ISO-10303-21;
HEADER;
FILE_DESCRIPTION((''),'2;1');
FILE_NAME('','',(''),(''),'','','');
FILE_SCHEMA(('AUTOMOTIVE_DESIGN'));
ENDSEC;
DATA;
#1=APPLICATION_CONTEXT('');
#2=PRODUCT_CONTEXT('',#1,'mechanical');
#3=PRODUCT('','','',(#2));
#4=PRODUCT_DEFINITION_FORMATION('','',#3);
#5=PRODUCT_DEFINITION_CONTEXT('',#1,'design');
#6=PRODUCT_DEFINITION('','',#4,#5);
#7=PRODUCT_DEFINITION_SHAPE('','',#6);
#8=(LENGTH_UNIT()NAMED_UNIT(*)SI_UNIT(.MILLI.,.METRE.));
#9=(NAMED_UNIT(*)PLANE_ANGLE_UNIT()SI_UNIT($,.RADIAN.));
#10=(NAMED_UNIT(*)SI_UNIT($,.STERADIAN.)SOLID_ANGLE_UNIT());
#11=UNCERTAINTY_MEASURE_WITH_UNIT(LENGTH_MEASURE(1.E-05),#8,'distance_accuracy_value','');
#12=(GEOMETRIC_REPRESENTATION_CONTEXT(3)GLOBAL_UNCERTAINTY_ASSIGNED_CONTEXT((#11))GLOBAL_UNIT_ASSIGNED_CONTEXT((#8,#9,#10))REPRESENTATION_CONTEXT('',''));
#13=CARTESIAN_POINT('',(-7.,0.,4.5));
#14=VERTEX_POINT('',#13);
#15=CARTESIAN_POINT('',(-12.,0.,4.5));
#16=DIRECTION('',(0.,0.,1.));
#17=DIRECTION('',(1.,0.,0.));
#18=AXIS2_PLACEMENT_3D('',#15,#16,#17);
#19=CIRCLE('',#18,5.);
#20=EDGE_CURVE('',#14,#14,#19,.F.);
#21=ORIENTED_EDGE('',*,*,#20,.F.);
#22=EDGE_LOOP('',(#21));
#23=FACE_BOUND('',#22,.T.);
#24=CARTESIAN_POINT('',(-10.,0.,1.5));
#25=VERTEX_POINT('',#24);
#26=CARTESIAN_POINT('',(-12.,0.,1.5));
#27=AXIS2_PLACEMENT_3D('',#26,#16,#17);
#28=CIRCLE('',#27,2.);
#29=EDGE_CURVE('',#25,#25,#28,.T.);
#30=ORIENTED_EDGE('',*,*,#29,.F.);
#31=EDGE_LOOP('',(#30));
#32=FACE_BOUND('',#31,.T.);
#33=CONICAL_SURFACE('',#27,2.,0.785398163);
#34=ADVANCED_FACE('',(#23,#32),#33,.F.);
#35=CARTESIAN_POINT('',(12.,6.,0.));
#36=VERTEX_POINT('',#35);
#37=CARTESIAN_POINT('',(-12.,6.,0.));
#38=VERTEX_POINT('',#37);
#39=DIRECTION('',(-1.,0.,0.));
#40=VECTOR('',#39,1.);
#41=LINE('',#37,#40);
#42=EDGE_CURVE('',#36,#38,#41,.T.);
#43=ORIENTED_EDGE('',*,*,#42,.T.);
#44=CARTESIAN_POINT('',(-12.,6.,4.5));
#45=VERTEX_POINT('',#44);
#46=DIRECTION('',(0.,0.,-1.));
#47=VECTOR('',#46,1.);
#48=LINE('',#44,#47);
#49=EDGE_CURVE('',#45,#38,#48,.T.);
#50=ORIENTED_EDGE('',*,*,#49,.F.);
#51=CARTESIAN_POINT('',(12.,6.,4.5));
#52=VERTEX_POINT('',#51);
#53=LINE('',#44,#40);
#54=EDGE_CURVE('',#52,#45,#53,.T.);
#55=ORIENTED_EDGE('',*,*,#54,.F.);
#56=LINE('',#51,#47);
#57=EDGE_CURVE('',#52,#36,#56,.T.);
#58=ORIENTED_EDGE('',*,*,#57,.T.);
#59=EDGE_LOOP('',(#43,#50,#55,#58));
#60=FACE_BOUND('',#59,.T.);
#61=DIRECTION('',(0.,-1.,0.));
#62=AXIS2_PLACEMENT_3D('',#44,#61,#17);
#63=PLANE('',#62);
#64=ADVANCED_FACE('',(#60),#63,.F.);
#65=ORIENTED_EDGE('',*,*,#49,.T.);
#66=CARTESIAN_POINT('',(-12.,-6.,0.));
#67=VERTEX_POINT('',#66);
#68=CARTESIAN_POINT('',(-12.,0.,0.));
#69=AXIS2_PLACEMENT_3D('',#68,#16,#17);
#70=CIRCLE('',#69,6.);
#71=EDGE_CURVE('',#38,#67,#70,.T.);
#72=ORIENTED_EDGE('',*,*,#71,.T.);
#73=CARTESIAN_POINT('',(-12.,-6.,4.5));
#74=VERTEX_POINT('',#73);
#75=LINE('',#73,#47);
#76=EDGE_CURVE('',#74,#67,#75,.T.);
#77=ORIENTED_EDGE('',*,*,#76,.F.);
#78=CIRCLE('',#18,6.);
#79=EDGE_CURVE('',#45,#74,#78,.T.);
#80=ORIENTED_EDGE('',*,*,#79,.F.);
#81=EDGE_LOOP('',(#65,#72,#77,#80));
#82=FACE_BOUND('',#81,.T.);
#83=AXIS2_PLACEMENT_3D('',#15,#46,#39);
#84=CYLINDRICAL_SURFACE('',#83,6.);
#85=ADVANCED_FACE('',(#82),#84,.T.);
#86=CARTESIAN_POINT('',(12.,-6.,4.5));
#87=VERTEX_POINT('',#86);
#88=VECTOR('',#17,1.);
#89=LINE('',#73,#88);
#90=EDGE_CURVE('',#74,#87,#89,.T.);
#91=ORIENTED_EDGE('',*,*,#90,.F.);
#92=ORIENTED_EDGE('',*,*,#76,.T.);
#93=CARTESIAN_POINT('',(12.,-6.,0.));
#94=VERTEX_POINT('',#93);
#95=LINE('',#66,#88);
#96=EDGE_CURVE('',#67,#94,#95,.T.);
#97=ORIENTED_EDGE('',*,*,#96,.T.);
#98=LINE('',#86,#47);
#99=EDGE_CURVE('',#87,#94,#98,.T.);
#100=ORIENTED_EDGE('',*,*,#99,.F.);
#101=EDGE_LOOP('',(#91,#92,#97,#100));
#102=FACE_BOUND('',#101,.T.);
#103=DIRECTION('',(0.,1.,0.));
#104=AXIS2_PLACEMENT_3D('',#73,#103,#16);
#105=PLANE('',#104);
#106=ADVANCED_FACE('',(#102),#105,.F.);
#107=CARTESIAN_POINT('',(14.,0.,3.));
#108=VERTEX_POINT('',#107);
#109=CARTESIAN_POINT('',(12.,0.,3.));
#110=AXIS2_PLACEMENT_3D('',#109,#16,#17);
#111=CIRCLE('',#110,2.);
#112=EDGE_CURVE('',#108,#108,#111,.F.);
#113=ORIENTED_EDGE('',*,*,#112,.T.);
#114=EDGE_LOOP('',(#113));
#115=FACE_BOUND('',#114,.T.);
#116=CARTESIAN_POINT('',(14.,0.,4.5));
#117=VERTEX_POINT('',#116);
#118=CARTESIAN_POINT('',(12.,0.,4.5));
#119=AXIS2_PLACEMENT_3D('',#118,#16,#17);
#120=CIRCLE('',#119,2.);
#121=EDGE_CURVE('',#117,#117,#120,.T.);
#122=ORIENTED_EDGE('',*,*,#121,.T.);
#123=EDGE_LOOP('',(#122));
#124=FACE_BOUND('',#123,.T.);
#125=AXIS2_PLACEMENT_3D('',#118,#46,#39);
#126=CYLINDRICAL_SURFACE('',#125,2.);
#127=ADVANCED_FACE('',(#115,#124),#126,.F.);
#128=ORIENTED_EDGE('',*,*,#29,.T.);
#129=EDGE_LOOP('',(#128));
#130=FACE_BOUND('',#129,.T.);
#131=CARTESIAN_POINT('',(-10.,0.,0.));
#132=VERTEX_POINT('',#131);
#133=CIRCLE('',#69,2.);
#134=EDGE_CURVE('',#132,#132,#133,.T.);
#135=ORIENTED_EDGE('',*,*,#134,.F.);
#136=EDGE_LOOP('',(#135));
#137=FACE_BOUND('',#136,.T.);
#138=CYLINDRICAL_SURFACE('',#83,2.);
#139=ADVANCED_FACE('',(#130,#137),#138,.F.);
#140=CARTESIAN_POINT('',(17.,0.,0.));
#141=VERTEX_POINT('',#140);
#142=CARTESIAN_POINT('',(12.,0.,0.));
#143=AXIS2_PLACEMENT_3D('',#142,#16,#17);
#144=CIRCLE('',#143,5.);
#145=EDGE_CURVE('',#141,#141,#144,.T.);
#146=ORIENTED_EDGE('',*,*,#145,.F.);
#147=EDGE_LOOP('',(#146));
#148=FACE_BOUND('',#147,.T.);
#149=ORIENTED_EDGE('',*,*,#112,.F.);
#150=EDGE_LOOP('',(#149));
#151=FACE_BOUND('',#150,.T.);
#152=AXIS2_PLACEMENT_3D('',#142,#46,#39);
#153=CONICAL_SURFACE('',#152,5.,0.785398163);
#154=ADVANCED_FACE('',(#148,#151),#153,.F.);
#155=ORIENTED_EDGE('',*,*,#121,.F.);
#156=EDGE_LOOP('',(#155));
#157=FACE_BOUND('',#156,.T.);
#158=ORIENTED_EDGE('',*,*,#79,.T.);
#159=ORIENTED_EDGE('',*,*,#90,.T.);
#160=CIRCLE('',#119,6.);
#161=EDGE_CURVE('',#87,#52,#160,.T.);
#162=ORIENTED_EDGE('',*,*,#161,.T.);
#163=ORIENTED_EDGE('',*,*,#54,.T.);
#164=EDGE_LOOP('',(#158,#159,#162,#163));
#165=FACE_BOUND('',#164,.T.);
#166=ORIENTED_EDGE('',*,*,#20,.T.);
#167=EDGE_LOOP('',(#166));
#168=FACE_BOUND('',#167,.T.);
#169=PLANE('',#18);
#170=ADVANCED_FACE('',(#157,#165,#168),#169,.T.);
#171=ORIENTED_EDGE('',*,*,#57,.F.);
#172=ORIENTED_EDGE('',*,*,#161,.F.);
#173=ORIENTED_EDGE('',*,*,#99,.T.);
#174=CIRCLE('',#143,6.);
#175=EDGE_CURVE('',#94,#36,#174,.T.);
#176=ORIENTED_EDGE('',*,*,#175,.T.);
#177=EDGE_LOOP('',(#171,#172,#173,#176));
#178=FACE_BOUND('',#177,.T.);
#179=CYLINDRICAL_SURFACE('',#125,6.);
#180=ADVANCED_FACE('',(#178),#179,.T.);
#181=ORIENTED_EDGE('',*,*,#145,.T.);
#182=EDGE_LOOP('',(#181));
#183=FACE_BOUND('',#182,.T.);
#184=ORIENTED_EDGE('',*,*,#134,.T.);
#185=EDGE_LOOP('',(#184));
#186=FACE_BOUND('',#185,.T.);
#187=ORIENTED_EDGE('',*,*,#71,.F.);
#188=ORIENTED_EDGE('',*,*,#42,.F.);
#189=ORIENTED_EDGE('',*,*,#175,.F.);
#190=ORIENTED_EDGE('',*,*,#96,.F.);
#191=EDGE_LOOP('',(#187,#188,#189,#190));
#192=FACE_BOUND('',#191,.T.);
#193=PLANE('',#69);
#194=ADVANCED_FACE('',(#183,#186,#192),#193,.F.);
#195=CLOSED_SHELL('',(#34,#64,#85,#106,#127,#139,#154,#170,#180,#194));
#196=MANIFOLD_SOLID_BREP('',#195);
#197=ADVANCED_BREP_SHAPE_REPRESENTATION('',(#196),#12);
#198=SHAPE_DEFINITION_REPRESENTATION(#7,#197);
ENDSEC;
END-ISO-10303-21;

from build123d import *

# Parameters (mm, degrees)
SKETCH1_R           = 2
BOSS_EXTRUDE1_DEPTH = 4.5
CHAMFER1_SIZE       = 3
CHAMFER2_SIZE       = 3


with BuildPart() as part:
    # Sketch1 → Boss-Extrude1 (new body)
    with BuildSketch(Plane.XY):
        with BuildLine():
            Line((-12, 6), (12, 6))
            ThreePointArc((12, 6), (18, 0), (12, -6))
            Line((12, -6), (-12, -6))
            ThreePointArc((-12, -6), (-18, 0), (-12, 6))
        make_face()
        with Locations((-12, 0)):
            Circle(SKETCH1_R, mode=Mode.SUBTRACT)
        with Locations((12, 0)):
            Circle(SKETCH1_R, mode=Mode.SUBTRACT)
    extrude(amount=BOSS_EXTRUDE1_DEPTH)

    # Chamfer1
    chamfer1_edges = [part.edges().sort_by_distance(p)[0] for p in [
        (10, 0, 0),
    ]]
    chamfer(chamfer1_edges, length=CHAMFER1_SIZE)

    # Chamfer2
    chamfer2_edges = [part.edges().sort_by_distance(p)[0] for p in [
        (-14, 0, 4.5),
    ]]
    chamfer(chamfer2_edges, length=CHAMFER2_SIZE)


solid = part.part
